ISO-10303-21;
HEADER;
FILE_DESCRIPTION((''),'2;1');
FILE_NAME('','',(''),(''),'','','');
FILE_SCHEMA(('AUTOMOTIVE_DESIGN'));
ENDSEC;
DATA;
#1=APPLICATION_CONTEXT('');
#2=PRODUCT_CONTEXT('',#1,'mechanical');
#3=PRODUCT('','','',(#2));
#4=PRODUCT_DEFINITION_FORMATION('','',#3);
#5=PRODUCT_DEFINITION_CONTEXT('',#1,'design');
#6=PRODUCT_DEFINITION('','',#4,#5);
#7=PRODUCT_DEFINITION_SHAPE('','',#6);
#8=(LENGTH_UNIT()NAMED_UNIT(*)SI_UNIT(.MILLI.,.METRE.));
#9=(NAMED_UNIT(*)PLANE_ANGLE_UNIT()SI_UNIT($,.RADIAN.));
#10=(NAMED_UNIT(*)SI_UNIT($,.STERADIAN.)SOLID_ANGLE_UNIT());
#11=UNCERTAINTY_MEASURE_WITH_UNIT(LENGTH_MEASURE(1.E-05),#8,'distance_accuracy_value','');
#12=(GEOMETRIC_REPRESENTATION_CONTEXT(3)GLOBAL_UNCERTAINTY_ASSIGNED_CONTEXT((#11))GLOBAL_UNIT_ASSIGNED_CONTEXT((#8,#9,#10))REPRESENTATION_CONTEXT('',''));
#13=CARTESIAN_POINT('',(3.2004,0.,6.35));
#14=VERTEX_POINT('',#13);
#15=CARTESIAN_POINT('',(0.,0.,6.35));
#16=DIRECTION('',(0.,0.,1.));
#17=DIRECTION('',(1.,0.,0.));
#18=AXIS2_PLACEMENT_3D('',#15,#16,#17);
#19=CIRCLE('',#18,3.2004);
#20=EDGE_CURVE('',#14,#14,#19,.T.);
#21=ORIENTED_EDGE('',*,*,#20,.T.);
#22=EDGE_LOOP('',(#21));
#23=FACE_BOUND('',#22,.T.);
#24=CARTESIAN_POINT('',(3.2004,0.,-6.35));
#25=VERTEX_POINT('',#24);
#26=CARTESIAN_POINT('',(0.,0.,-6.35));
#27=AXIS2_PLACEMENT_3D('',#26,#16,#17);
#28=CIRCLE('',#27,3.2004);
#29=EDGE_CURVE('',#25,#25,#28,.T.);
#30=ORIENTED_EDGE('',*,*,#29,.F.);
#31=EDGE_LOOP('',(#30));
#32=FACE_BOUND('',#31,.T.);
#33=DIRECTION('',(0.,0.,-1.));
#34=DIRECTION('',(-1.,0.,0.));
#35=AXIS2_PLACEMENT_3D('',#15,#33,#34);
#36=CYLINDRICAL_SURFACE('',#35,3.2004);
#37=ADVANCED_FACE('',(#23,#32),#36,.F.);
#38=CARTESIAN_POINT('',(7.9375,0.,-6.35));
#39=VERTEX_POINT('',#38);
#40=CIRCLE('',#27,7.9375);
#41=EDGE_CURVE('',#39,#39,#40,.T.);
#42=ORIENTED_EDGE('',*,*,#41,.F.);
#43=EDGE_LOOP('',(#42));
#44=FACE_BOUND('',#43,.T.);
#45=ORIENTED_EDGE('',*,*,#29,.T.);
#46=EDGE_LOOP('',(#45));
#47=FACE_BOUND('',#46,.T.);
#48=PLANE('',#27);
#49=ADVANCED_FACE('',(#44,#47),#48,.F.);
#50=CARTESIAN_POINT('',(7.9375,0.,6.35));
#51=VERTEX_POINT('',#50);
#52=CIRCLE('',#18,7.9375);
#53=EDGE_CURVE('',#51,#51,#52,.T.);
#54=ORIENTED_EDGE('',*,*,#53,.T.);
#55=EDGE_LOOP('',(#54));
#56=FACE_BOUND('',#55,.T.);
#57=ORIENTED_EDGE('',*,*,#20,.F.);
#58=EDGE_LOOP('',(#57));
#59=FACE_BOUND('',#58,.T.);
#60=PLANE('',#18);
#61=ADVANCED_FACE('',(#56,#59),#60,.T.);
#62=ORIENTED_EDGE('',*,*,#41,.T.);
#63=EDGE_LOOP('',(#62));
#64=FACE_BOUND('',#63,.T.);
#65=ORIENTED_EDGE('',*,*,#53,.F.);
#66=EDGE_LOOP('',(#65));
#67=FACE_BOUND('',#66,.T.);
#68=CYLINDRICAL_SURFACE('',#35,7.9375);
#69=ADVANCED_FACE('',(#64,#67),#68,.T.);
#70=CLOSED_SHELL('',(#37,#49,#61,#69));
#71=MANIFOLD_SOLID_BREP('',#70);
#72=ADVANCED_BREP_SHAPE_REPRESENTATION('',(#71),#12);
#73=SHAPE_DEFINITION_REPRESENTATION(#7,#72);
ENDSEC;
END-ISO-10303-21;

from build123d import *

# Parameters (mm, degrees)
SKETCH1_R      = 7.9375
SKETCH1_R_2    = 3.2004
EXTRUDE1_DEPTH = 6.35


with BuildPart() as part:
    # Sketch1 → Extrude1 (new, symmetric)
    with BuildSketch(Plane.XY):
        Circle(SKETCH1_R)
        Circle(SKETCH1_R_2, mode=Mode.SUBTRACT)
    extrude(amount=EXTRUDE1_DEPTH, both=True)


solid = part.part
